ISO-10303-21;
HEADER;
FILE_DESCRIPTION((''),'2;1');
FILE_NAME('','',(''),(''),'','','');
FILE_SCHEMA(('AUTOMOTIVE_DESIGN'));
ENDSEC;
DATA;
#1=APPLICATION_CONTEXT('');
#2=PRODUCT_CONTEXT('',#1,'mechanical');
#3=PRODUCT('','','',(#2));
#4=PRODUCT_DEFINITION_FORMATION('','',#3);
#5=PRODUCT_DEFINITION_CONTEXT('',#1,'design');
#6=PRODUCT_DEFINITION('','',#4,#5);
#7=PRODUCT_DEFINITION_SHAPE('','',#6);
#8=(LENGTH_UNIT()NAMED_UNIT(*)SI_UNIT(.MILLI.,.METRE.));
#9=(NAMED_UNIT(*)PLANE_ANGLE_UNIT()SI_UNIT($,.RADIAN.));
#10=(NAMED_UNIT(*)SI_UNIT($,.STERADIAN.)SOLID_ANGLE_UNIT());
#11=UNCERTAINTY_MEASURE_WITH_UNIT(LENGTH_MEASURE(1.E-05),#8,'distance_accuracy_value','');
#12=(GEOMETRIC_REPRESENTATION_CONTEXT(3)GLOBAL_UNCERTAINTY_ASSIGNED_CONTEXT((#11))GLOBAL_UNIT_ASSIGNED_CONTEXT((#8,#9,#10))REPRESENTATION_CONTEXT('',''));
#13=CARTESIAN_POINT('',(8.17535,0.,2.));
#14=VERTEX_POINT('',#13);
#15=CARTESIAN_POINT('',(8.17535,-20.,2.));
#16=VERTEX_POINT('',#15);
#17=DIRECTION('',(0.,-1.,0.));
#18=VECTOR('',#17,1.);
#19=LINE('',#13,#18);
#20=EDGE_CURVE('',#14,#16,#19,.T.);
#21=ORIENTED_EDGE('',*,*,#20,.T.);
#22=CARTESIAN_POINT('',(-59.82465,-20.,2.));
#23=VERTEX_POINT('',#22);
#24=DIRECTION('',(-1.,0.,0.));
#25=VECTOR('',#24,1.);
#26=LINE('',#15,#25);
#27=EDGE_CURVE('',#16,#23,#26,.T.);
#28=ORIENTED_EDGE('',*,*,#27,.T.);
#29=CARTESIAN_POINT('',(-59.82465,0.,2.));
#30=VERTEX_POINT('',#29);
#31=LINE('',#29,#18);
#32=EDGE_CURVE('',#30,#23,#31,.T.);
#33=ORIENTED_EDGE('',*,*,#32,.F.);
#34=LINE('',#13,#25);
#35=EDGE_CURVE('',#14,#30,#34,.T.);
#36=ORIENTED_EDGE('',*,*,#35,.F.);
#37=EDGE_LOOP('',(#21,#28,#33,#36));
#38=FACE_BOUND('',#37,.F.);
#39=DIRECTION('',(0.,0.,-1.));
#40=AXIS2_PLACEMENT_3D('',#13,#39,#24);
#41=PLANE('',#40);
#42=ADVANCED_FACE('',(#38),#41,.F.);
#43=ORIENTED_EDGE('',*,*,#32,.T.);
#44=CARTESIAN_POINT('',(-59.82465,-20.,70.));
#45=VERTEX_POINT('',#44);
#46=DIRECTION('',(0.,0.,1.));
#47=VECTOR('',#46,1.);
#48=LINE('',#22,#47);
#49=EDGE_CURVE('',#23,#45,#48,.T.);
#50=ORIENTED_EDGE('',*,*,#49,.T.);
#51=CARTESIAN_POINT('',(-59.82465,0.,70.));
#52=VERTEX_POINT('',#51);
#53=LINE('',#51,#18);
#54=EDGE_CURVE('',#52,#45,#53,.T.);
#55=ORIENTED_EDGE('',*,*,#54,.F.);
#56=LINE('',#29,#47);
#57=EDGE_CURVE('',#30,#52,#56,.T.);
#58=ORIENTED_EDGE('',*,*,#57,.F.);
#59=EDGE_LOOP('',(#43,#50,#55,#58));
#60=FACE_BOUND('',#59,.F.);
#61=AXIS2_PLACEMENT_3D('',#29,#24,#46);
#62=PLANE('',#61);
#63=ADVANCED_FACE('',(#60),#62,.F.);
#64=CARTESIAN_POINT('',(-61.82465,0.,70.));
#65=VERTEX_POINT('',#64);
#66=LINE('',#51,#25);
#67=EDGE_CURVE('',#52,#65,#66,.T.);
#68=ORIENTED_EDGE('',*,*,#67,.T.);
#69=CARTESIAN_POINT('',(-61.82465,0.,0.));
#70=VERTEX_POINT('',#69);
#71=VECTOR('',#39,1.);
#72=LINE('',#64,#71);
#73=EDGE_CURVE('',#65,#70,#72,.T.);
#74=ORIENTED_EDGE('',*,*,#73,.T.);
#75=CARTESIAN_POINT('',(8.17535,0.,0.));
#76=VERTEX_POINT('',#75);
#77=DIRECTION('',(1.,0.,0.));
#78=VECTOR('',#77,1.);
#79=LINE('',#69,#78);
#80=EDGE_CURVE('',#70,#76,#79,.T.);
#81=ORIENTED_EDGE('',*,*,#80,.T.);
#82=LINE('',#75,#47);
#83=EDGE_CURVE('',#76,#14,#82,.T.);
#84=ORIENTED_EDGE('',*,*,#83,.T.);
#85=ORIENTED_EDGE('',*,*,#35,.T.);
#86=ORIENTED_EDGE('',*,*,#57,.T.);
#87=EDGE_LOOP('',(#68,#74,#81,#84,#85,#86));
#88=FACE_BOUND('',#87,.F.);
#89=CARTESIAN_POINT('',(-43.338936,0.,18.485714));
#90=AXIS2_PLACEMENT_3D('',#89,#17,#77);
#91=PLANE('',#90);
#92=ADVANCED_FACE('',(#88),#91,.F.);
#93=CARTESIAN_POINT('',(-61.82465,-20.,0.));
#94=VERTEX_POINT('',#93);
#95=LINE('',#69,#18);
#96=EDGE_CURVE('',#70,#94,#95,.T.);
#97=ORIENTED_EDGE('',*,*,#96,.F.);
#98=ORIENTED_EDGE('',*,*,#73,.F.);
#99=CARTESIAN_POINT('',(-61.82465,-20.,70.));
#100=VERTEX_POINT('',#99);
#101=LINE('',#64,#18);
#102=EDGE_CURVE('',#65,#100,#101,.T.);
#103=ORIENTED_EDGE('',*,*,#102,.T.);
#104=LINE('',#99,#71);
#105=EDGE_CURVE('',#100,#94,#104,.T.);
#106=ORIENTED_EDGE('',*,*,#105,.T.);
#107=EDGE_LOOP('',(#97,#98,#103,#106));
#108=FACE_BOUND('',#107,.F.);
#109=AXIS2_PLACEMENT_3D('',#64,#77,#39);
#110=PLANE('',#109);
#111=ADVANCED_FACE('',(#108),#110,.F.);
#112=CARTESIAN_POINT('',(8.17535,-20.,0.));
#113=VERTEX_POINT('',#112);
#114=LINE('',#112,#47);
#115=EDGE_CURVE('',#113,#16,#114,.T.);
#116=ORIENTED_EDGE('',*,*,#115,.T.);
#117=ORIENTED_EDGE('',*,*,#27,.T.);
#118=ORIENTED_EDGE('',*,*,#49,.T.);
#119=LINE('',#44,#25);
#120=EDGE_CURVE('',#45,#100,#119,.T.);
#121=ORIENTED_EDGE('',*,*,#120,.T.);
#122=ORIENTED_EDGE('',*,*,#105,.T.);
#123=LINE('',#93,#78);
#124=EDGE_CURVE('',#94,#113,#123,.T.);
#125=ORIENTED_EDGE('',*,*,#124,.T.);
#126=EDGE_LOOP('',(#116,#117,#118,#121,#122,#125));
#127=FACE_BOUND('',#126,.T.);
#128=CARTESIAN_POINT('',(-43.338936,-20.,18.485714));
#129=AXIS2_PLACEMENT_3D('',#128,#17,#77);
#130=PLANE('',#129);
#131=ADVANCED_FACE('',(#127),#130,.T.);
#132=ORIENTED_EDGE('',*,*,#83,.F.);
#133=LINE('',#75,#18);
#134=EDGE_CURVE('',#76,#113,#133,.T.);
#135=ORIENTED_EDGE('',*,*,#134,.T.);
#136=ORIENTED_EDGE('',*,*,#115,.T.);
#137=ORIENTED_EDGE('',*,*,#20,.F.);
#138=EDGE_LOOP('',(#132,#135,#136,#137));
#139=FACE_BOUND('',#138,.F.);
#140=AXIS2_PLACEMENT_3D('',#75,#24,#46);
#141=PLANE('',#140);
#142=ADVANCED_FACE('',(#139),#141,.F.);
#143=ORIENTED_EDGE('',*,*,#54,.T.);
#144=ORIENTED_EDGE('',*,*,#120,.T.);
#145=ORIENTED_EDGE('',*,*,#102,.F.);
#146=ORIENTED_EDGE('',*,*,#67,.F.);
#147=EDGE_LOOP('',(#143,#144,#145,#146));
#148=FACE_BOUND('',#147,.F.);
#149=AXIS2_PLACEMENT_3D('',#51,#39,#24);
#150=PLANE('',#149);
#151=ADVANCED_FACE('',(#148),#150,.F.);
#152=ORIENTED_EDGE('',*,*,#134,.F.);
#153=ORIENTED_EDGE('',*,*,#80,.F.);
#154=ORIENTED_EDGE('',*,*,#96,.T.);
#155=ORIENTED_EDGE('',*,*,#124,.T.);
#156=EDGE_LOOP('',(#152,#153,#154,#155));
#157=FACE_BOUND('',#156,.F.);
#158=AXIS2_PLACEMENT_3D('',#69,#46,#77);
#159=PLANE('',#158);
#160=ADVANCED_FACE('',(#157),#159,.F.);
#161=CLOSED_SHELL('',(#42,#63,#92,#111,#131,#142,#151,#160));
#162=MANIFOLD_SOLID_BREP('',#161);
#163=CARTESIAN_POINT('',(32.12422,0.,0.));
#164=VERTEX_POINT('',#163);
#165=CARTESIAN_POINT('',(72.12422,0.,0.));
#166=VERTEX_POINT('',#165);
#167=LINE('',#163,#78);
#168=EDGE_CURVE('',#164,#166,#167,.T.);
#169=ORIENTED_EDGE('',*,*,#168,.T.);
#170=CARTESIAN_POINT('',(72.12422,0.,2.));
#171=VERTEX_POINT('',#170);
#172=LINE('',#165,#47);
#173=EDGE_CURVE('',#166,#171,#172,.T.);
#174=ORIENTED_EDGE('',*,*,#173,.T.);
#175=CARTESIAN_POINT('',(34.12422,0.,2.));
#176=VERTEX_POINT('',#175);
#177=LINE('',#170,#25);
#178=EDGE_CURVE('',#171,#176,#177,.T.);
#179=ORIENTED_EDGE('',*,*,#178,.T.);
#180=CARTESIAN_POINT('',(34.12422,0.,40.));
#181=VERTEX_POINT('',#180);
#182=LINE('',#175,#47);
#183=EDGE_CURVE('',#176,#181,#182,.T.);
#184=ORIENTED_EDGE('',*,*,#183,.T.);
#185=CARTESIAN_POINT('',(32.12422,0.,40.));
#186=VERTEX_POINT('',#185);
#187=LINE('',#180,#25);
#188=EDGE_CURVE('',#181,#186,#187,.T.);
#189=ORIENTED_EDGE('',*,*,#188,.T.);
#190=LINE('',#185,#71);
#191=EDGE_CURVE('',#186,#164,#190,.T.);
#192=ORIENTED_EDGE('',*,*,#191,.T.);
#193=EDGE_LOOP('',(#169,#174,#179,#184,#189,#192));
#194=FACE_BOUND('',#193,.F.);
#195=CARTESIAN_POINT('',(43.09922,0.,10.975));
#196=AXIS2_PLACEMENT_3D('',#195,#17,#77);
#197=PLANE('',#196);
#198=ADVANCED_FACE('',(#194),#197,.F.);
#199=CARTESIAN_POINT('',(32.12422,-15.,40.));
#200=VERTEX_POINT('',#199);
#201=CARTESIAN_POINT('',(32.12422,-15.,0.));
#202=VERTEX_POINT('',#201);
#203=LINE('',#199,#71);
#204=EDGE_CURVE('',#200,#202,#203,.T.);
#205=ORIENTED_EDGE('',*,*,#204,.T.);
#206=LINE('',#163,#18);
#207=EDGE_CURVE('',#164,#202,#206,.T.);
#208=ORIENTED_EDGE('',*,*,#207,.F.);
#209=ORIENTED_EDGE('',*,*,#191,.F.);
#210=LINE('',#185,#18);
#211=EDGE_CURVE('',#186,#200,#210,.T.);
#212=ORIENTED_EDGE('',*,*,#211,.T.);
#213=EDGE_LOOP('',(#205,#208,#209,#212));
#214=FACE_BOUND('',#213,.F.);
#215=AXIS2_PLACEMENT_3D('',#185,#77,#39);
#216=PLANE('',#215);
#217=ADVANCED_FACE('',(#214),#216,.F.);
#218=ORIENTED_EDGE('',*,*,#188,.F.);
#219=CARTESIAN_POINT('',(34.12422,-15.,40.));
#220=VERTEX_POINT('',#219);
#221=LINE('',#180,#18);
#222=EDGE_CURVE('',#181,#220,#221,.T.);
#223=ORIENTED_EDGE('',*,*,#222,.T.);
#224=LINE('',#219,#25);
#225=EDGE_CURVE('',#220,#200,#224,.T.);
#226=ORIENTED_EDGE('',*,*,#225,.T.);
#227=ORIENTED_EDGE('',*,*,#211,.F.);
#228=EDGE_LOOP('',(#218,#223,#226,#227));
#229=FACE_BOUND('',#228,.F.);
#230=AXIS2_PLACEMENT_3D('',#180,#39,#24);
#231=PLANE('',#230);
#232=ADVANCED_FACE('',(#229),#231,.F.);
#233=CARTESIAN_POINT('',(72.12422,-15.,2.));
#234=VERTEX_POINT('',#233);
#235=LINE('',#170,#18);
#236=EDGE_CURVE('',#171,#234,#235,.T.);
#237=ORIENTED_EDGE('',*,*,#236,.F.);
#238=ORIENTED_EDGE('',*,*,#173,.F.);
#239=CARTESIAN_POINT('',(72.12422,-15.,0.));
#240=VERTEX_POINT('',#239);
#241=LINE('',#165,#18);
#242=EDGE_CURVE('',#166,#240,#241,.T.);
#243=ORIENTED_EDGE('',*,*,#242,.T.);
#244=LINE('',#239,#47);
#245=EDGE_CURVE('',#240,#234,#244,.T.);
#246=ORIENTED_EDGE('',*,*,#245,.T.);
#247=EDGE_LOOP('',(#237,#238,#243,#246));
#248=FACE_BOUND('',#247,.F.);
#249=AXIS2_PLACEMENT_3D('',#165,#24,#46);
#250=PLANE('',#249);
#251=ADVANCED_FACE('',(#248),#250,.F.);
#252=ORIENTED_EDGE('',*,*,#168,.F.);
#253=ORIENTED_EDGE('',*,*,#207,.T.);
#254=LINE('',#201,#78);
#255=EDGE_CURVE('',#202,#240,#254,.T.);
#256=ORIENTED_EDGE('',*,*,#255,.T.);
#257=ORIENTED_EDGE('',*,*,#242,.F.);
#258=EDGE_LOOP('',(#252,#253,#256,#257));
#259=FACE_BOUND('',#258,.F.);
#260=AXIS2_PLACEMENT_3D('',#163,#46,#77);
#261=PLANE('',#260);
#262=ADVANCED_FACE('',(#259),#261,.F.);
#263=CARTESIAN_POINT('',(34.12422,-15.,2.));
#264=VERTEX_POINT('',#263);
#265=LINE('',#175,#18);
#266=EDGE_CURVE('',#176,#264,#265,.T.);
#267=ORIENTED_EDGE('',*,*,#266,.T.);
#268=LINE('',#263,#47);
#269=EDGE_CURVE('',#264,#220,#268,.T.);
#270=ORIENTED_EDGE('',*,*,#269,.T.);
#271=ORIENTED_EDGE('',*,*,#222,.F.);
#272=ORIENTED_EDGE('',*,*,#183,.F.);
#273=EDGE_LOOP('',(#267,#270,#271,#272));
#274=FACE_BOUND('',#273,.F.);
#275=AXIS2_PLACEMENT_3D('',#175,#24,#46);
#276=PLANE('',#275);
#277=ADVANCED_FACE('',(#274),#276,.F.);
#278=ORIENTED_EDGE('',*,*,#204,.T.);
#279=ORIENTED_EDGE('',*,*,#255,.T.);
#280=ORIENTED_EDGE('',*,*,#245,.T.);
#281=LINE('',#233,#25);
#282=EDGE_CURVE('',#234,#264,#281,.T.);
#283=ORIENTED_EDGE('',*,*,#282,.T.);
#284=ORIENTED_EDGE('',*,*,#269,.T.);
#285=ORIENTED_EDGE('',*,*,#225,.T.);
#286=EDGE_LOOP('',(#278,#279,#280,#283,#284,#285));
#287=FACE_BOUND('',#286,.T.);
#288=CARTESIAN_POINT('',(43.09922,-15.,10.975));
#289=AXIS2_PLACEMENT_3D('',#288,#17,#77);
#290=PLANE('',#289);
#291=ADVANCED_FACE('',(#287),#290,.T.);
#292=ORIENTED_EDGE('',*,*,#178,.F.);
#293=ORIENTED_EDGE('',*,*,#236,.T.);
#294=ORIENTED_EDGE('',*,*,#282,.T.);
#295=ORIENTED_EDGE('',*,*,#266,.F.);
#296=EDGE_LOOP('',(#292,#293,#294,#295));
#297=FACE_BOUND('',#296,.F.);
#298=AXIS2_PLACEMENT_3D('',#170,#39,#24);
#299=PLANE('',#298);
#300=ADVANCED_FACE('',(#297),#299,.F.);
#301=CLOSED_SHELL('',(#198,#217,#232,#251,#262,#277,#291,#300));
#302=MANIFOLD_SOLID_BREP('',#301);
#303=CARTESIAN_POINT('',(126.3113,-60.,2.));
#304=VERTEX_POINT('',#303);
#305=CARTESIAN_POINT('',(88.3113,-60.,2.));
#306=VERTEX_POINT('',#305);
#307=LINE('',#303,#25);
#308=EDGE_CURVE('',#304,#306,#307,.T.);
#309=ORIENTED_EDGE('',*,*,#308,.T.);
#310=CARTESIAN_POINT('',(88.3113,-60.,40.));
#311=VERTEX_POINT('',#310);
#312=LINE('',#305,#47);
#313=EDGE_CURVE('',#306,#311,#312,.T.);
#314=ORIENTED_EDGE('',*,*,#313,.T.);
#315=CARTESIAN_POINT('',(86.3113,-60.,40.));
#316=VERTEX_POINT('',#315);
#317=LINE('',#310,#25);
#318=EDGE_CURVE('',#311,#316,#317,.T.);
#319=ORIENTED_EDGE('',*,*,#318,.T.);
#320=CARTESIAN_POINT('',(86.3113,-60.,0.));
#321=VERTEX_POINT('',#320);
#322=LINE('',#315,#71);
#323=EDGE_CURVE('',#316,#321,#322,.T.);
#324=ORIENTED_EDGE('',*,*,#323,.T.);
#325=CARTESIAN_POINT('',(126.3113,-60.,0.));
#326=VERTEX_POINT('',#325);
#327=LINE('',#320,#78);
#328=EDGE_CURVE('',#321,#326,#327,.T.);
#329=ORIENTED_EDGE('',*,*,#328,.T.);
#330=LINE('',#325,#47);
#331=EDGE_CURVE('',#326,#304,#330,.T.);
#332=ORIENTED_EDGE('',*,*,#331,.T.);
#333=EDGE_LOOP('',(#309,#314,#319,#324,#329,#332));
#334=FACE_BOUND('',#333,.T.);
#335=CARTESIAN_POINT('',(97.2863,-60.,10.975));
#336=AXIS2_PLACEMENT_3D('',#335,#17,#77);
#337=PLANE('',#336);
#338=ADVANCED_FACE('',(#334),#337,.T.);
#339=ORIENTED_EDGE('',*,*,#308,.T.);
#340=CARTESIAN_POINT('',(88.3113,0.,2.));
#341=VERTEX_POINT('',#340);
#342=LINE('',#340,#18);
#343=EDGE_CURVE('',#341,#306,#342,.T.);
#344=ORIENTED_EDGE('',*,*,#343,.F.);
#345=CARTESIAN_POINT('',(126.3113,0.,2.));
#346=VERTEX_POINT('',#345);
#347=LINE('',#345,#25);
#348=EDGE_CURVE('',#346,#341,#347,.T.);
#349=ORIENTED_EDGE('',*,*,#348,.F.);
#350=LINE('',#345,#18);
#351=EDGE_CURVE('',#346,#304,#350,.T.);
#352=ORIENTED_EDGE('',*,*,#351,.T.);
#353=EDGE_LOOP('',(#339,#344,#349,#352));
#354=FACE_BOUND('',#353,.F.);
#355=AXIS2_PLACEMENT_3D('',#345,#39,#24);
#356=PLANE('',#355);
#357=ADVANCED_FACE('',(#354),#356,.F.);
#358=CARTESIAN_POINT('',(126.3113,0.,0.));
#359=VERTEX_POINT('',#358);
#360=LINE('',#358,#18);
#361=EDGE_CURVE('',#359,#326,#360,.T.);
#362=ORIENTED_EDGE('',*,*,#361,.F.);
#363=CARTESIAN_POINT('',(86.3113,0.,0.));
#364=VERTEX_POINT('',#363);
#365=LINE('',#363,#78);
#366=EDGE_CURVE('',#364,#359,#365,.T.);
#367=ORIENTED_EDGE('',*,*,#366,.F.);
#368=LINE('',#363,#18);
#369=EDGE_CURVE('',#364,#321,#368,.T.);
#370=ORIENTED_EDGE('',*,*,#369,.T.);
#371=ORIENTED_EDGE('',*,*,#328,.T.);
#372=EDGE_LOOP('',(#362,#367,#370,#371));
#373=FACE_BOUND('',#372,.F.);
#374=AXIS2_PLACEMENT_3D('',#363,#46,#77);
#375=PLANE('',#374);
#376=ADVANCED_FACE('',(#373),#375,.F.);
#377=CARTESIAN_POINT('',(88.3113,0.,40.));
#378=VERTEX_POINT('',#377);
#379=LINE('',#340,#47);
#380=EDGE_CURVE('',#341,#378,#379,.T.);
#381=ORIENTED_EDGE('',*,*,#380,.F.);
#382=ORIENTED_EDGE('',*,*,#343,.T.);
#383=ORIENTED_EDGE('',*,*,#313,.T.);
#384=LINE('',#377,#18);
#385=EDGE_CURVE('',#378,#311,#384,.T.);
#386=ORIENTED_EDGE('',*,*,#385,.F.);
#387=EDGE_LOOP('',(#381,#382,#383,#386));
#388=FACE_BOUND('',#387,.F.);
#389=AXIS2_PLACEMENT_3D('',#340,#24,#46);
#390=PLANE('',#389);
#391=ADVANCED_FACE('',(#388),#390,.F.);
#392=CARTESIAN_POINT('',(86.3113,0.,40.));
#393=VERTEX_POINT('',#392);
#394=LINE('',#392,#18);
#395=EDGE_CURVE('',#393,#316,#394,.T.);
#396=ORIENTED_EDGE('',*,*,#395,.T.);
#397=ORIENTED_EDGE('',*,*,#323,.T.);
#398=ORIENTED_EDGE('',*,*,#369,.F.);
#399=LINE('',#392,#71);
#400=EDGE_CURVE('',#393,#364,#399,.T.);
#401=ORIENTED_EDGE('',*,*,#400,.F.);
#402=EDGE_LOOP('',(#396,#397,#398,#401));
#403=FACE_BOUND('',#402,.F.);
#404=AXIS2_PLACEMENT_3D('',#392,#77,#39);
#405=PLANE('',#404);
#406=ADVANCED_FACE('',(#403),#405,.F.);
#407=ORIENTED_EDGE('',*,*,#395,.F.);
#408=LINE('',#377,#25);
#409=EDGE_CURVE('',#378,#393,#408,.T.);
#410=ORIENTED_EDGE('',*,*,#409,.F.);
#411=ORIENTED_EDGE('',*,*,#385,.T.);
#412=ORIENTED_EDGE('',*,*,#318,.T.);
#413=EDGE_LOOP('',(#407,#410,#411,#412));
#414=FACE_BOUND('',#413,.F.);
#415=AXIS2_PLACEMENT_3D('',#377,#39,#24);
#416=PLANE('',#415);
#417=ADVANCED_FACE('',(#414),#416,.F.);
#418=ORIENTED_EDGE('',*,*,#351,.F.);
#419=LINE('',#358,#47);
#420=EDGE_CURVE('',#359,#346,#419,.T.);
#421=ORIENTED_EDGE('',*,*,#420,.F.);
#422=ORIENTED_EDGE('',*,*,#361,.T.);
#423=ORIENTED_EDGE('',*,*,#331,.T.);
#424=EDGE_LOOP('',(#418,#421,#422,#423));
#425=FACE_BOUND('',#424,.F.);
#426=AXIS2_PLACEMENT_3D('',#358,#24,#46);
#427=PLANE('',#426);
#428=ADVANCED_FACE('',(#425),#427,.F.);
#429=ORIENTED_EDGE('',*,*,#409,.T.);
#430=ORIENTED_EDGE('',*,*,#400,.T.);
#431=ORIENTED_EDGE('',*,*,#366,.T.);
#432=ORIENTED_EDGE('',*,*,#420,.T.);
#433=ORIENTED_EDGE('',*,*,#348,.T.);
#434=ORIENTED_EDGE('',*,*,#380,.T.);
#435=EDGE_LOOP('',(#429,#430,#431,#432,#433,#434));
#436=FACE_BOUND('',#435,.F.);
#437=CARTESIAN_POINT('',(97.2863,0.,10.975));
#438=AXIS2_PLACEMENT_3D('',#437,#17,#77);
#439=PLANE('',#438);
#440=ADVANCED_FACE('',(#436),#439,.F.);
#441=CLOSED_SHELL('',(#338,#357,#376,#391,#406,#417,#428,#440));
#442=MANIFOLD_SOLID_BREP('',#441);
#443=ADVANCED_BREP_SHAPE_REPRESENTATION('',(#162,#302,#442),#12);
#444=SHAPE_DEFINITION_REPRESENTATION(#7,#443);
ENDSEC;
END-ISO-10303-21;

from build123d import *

# Parameters (mm, degrees)
F1_DEPTH = 20
F2_DEPTH = 15
F3_DEPTH = 60


with BuildPart() as f1:
    # F0 (on Front) → F1 (new body)
    with BuildSketch(Plane.XZ):
        Polygon((-59.82465, 70), (-61.82465, 70), (-61.82465, 2), (-61.82465, 0), (-59.82465, 0), (8.17535, 0), (8.17535, 2), (-59.82465, 2), align=None)
    extrude(amount=F1_DEPTH)


with BuildPart() as f2:
    # F0 (on Front) → F2 (new body)
    with BuildSketch(Plane.XZ):
        Polygon((34.12422, 40), (32.12422, 40), (32.12422, 2), (32.12422, 0), (34.12422, 0), (72.12422, 0), (72.12422, 2), (34.12422, 2), align=None)
    extrude(amount=F2_DEPTH)


with BuildPart() as f3:
    # F0 (on Front) → F3 (new body)
    with BuildSketch(Plane.XZ):
        Polygon((88.3113, 40), (86.3113, 40), (86.3113, 2), (86.3113, 0), (88.3113, 0), (126.3113, 0), (126.3113, 2), (88.3113, 2), align=None)
    extrude(amount=F3_DEPTH)


solid = Compound([f1.part, f2.part, f3.part])
